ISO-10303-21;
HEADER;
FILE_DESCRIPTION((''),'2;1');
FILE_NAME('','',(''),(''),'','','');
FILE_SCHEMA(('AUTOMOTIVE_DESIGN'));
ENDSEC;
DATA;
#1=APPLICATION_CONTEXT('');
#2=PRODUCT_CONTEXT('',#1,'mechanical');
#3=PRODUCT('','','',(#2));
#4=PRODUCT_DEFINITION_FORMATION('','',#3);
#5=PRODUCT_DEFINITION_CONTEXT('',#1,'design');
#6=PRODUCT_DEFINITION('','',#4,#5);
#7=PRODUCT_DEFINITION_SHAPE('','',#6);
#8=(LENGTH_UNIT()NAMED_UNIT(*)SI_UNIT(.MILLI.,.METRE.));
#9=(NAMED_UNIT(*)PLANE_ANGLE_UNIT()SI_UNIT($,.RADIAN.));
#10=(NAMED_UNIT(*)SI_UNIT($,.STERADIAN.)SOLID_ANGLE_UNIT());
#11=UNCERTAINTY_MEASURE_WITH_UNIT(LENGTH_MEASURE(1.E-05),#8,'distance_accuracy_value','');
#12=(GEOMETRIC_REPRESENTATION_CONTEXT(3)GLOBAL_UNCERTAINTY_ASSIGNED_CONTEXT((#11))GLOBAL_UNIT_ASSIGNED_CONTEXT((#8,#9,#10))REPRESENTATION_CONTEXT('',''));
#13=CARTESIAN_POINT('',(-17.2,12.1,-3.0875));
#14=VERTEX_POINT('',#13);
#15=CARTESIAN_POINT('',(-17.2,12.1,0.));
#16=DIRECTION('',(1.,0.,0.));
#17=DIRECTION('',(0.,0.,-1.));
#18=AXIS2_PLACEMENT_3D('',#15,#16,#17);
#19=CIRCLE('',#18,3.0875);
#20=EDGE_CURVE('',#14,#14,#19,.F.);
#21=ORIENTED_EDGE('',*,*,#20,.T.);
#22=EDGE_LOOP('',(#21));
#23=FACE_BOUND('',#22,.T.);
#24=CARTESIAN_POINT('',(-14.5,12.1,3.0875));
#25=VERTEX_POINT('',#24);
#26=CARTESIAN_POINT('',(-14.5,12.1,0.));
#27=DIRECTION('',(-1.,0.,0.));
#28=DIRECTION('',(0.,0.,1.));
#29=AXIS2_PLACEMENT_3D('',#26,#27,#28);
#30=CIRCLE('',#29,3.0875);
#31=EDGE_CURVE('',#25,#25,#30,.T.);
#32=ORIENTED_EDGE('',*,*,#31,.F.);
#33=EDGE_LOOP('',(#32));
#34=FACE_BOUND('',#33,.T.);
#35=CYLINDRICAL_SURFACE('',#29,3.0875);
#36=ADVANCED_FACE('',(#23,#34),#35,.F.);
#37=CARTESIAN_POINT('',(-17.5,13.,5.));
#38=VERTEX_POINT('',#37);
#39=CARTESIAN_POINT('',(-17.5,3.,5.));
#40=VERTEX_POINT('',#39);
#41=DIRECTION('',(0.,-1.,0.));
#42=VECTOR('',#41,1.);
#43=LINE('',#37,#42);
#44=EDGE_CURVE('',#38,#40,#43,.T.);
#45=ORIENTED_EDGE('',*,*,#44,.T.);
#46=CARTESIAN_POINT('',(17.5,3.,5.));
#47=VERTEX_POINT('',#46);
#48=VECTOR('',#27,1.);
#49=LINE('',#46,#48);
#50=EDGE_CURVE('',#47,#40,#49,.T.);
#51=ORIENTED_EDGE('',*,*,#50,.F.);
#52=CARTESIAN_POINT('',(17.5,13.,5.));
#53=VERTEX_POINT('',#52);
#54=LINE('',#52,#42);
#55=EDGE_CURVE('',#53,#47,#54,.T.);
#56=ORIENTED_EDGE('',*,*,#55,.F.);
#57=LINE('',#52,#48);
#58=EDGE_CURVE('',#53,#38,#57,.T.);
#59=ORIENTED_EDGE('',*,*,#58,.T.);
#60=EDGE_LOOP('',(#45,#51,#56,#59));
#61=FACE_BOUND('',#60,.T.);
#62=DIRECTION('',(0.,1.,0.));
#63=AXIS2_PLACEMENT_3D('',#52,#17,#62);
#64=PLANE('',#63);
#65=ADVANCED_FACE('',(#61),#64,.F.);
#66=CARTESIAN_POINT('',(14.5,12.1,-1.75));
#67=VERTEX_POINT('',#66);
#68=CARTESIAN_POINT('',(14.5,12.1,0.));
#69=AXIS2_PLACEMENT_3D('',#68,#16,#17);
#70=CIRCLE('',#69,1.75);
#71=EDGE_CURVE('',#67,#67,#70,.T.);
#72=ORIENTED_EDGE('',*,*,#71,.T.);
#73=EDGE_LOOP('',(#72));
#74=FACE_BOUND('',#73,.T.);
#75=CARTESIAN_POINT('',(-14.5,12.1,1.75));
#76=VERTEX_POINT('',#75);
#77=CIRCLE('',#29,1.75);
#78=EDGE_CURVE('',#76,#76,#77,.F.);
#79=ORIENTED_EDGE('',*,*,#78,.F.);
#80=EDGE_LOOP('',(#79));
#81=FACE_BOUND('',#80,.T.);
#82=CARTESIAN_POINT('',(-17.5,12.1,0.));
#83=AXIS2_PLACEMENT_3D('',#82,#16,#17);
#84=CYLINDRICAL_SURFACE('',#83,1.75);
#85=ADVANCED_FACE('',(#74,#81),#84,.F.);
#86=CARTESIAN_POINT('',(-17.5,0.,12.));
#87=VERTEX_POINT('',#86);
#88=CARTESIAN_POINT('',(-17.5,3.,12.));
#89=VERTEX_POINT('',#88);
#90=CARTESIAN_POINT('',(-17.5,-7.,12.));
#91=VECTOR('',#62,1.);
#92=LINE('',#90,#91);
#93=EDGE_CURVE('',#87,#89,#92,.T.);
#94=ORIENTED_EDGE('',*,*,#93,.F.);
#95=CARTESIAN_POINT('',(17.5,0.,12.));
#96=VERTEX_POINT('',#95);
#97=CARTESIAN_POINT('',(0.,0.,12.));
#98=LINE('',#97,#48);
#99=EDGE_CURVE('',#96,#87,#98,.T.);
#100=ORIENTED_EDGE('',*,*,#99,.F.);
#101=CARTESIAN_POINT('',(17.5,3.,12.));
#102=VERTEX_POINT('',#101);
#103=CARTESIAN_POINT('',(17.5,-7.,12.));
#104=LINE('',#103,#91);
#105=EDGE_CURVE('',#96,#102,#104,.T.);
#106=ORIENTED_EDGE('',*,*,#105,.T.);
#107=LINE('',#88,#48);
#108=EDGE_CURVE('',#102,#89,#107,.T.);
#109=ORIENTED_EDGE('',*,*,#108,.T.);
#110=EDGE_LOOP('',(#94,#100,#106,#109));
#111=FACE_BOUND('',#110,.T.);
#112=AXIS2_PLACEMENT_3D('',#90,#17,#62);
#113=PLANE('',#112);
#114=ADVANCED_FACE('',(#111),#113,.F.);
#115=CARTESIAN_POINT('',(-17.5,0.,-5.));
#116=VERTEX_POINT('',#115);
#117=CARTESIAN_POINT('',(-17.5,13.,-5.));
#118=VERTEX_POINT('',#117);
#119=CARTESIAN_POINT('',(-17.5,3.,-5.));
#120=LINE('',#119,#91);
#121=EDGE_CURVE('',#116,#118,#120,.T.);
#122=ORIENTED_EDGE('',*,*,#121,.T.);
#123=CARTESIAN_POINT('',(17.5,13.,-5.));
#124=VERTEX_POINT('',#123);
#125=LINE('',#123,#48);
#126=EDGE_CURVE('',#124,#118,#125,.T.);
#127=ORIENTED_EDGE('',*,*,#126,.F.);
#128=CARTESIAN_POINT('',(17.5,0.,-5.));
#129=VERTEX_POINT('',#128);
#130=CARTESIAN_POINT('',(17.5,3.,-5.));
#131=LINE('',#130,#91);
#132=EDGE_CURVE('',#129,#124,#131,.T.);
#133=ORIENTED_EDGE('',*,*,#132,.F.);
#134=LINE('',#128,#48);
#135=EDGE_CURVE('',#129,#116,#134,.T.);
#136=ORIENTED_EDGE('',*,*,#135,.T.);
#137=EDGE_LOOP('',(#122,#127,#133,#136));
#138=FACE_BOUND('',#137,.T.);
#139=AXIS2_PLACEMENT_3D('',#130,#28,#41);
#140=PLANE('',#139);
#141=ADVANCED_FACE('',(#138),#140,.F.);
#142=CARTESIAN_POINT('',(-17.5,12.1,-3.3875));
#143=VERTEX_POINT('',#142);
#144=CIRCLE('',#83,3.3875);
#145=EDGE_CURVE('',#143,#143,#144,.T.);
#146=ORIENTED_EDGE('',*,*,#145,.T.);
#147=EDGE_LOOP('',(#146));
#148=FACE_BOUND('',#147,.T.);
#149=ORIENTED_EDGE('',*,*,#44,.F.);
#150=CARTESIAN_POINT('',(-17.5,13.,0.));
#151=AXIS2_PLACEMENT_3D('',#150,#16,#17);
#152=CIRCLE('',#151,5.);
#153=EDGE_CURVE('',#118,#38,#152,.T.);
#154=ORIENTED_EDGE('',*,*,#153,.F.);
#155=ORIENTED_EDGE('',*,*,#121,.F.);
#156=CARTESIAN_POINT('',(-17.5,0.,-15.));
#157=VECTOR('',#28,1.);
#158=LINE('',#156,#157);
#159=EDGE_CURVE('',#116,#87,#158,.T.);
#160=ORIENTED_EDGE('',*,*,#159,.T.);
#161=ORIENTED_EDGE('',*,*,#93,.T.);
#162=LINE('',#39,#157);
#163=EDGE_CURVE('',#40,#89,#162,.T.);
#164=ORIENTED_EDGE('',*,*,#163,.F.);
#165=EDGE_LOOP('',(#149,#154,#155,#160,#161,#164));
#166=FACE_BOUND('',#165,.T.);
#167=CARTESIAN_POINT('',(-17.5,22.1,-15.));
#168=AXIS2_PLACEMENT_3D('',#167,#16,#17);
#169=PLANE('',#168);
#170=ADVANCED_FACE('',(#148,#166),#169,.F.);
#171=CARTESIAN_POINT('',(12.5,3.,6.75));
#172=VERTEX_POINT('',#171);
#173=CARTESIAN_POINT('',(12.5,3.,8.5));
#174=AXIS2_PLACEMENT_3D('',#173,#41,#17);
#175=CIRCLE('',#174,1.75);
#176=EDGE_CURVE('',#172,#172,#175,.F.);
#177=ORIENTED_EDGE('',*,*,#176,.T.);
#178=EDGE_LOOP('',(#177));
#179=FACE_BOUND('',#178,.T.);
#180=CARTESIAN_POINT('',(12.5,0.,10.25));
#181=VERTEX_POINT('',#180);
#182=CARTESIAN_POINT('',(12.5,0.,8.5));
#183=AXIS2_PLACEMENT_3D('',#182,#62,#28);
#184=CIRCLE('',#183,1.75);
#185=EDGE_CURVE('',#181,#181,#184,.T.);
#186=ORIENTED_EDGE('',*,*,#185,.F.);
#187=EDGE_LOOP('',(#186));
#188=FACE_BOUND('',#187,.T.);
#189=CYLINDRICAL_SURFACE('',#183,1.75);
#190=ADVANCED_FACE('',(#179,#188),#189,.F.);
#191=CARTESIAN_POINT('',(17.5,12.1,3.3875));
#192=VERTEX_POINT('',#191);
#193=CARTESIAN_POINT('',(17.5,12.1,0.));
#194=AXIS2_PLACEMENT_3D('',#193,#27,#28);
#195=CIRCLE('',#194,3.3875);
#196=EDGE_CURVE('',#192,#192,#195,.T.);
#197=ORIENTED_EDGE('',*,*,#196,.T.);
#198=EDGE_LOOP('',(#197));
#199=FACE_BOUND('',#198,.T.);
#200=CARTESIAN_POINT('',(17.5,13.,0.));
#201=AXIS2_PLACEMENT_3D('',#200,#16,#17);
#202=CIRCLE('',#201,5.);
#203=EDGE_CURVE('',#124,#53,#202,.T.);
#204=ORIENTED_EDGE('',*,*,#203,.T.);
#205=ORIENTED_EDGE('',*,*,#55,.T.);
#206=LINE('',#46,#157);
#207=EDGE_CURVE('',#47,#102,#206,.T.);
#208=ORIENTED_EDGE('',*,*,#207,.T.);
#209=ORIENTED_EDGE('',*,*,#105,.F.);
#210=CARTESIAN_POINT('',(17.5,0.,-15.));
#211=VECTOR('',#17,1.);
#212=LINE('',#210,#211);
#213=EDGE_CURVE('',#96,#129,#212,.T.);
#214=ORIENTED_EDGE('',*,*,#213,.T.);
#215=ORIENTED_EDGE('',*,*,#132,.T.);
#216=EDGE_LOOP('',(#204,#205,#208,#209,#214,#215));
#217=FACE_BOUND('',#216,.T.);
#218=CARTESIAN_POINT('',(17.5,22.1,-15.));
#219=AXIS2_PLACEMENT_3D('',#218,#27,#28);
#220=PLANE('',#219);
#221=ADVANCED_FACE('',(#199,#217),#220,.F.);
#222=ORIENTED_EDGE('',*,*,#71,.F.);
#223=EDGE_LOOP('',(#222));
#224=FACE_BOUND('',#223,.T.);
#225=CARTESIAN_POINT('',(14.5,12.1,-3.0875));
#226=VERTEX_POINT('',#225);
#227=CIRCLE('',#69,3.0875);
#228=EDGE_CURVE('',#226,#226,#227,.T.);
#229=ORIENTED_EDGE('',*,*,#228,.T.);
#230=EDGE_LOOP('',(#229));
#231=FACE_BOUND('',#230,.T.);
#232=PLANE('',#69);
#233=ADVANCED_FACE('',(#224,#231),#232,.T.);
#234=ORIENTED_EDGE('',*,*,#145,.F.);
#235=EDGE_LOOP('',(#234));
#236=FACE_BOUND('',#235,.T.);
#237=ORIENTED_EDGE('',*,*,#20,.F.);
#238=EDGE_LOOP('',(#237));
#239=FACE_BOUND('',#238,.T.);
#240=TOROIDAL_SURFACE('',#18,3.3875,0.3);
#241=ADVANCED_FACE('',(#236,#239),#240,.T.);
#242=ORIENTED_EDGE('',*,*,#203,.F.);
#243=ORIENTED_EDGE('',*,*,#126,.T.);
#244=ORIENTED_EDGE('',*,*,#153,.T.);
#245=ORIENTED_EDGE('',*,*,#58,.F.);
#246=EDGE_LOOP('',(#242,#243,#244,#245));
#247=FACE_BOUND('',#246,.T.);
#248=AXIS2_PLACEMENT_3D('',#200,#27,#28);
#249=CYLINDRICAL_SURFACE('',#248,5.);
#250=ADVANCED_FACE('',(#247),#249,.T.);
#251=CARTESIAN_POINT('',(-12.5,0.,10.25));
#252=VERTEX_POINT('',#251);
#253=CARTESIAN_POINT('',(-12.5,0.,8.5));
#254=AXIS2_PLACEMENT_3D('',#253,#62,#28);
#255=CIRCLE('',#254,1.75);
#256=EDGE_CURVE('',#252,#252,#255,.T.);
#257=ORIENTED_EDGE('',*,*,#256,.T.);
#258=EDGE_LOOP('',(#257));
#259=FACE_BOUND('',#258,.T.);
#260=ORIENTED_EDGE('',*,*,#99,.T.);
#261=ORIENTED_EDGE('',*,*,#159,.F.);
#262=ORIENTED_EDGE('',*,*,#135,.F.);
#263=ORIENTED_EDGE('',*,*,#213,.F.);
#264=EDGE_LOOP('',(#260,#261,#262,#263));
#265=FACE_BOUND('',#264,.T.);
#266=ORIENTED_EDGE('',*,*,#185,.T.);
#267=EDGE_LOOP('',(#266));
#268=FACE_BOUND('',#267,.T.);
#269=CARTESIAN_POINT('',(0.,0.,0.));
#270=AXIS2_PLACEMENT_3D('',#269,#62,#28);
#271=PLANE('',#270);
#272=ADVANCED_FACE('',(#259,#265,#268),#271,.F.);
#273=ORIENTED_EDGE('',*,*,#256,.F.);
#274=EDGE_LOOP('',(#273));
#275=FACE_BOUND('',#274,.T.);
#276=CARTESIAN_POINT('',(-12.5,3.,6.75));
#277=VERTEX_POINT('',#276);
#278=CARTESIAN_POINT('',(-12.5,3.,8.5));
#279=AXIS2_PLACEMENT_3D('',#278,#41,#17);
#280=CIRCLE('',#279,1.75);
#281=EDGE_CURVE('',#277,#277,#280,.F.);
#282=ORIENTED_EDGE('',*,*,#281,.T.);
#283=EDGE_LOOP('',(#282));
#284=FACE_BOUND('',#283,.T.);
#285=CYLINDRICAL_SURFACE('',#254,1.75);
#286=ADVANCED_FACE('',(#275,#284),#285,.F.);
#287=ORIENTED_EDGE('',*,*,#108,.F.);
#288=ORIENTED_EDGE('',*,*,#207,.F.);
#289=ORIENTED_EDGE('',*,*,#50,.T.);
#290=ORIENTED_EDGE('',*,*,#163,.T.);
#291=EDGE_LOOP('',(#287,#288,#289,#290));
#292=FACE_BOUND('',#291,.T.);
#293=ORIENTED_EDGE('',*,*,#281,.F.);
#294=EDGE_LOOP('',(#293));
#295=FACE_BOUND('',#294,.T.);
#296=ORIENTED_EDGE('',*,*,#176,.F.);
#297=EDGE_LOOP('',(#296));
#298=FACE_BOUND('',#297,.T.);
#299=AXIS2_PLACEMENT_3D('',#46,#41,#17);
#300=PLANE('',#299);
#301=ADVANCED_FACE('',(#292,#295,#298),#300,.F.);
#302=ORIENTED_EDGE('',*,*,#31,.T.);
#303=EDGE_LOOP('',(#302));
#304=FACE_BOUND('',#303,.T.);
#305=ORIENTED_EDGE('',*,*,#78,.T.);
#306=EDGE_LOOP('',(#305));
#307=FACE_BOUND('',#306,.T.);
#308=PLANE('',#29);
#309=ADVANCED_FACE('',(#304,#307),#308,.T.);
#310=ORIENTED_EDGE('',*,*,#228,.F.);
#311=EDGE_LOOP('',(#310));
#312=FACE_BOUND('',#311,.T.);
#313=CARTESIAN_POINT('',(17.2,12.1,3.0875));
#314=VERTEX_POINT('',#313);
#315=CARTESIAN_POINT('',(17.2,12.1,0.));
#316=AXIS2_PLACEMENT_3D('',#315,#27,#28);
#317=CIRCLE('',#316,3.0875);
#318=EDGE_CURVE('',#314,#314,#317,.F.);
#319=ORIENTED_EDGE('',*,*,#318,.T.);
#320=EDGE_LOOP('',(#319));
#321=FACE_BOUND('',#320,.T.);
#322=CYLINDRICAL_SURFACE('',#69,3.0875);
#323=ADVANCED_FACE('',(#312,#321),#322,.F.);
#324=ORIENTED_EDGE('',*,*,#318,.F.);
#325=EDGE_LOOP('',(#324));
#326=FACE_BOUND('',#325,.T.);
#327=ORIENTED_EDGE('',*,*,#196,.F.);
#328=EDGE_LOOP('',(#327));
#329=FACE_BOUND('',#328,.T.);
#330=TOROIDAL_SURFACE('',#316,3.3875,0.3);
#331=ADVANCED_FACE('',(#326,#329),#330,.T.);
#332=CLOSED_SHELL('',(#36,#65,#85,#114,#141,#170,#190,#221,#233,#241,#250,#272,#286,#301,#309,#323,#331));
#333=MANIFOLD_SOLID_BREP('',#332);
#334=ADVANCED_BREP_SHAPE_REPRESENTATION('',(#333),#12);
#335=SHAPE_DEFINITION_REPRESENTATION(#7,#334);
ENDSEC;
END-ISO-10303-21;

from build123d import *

# Parameters (mm, degrees)
SKETCH1_W           = 35
SKETCH1_H           = 30
BOSS_EXTRUDE1_DEPTH = 22.1
SKETCH2_R           = 3.0875
CUT_EXTRUDE1_DEPTH  = 3
SKETCH3_R           = 1.75
CUT_EXTRUDE2_DEPTH  = 42.682250419
CUT_EXTRUDE3_START  = -3
SKETCH4_R           = 3.0875
CUT_EXTRUDE3_DEPTH  = 3
SKETCH5_R           = 1.75
CUT_EXTRUDE4_DEPTH  = 32.932115495
CUT_EXTRUDE5_DEPTH  = 45.027377846
FILLET1_R           = 0.3
SKETCH7_W           = 35
SKETCH7_H           = 3
CUT_EXTRUDE6_DEPTH  = 10


with BuildPart() as part:
    # Sketch1 → Boss-Extrude1 (new body)
    with BuildSketch(Plane(origin=(0, 0, 0), x_dir=(1, 0, 0), z_dir=(0, 1, 0))):
        Rectangle(SKETCH1_W, SKETCH1_H)
    extrude(amount=BOSS_EXTRUDE1_DEPTH)

    # Sketch2 → Cut-Extrude1 (cut)
    with BuildSketch(Plane(origin=(17.5, 0, 0), x_dir=(0, 0, -1), z_dir=(1, 0, 0))):
        with Locations((0, 12.1)):
            Circle(SKETCH2_R)
    extrude(amount=-CUT_EXTRUDE1_DEPTH, mode=Mode.SUBTRACT)

    # Sketch3 → Cut-Extrude2 (cut, through all)
    with BuildSketch(Plane(origin=(14.5, 0, 0), x_dir=(0, 0, -1), z_dir=(1, 0, 0))):
        with Locations((0, 12.1)):
            Circle(SKETCH3_R)
    extrude(amount=-CUT_EXTRUDE2_DEPTH, mode=Mode.SUBTRACT)

    # Sketch4 → Cut-Extrude3 (cut)
    with BuildSketch(Plane.ZY.offset(17.5).offset(CUT_EXTRUDE3_START)):
        with Locations(Location((0, 12.1, 0), (0, 0, 180))):
            Circle(SKETCH4_R)
    extrude(amount=CUT_EXTRUDE3_DEPTH, mode=Mode.SUBTRACT)

    # Sketch5 → Cut-Extrude4 (cut, through all)
    with BuildSketch(Plane(origin=(0, 22.1, 0), x_dir=(1, 0, 0), z_dir=(0, 1, 0))):
        with Locations(Location((-12.5, 8.5, 0), (0, 0, 270))):
            Circle(SKETCH5_R)
        with Locations(Location((12.5, 8.5, 0), (0, 0, 270))):
            Circle(SKETCH5_R)
        with Locations(Location((12.5, -8.5, 0), (0, 0, 270))):
            Circle(SKETCH5_R)
        with Locations(Location((-12.5, -8.5, 0), (0, 0, 270))):
            Circle(SKETCH5_R)
    extrude(amount=-CUT_EXTRUDE4_DEPTH, mode=Mode.SUBTRACT)

    # Sketch6 → Cut-Extrude5 (cut, through all)
    with BuildSketch(Plane.ZY.offset(17.5)):
        with BuildLine():
            Line((-5, 3), (-5, 13))
            ThreePointArc((-5, 13), (0, 18), (5, 13))
            Line((5, 13), (5, 3))
            Line((5, 3), (15, 3))
            Line((15, 3), (15, 22.1))
            Line((15, 22.1), (-15, 22.1))
            Line((-15, 22.1), (-15, 3))
            Line((-15, 3), (-15, 0))
            Line((-15, 0), (-5, 0))
            Line((-5, 0), (-5, 3))
        make_face()
    extrude(amount=-CUT_EXTRUDE5_DEPTH, mode=Mode.SUBTRACT)

    # Fillet1
    fillet1_edges = [part.edges().sort_by_distance(p)[0] for p in [
        (17.5, 12.1, 3.0875),
        (-17.5, 12.1, 3.0875),
    ]]
    fillet(fillet1_edges, radius=FILLET1_R)

    # Sketch7 → Cut-Extrude6 (cut)
    with BuildSketch(Plane(origin=(0, 3, 0), x_dir=(1, 0, 0), z_dir=(0, 1, 0))):
        with Locations((0, -13.5)):
            Rectangle(SKETCH7_W, SKETCH7_H)
    extrude(amount=-CUT_EXTRUDE6_DEPTH, mode=Mode.SUBTRACT)


solid = part.part
